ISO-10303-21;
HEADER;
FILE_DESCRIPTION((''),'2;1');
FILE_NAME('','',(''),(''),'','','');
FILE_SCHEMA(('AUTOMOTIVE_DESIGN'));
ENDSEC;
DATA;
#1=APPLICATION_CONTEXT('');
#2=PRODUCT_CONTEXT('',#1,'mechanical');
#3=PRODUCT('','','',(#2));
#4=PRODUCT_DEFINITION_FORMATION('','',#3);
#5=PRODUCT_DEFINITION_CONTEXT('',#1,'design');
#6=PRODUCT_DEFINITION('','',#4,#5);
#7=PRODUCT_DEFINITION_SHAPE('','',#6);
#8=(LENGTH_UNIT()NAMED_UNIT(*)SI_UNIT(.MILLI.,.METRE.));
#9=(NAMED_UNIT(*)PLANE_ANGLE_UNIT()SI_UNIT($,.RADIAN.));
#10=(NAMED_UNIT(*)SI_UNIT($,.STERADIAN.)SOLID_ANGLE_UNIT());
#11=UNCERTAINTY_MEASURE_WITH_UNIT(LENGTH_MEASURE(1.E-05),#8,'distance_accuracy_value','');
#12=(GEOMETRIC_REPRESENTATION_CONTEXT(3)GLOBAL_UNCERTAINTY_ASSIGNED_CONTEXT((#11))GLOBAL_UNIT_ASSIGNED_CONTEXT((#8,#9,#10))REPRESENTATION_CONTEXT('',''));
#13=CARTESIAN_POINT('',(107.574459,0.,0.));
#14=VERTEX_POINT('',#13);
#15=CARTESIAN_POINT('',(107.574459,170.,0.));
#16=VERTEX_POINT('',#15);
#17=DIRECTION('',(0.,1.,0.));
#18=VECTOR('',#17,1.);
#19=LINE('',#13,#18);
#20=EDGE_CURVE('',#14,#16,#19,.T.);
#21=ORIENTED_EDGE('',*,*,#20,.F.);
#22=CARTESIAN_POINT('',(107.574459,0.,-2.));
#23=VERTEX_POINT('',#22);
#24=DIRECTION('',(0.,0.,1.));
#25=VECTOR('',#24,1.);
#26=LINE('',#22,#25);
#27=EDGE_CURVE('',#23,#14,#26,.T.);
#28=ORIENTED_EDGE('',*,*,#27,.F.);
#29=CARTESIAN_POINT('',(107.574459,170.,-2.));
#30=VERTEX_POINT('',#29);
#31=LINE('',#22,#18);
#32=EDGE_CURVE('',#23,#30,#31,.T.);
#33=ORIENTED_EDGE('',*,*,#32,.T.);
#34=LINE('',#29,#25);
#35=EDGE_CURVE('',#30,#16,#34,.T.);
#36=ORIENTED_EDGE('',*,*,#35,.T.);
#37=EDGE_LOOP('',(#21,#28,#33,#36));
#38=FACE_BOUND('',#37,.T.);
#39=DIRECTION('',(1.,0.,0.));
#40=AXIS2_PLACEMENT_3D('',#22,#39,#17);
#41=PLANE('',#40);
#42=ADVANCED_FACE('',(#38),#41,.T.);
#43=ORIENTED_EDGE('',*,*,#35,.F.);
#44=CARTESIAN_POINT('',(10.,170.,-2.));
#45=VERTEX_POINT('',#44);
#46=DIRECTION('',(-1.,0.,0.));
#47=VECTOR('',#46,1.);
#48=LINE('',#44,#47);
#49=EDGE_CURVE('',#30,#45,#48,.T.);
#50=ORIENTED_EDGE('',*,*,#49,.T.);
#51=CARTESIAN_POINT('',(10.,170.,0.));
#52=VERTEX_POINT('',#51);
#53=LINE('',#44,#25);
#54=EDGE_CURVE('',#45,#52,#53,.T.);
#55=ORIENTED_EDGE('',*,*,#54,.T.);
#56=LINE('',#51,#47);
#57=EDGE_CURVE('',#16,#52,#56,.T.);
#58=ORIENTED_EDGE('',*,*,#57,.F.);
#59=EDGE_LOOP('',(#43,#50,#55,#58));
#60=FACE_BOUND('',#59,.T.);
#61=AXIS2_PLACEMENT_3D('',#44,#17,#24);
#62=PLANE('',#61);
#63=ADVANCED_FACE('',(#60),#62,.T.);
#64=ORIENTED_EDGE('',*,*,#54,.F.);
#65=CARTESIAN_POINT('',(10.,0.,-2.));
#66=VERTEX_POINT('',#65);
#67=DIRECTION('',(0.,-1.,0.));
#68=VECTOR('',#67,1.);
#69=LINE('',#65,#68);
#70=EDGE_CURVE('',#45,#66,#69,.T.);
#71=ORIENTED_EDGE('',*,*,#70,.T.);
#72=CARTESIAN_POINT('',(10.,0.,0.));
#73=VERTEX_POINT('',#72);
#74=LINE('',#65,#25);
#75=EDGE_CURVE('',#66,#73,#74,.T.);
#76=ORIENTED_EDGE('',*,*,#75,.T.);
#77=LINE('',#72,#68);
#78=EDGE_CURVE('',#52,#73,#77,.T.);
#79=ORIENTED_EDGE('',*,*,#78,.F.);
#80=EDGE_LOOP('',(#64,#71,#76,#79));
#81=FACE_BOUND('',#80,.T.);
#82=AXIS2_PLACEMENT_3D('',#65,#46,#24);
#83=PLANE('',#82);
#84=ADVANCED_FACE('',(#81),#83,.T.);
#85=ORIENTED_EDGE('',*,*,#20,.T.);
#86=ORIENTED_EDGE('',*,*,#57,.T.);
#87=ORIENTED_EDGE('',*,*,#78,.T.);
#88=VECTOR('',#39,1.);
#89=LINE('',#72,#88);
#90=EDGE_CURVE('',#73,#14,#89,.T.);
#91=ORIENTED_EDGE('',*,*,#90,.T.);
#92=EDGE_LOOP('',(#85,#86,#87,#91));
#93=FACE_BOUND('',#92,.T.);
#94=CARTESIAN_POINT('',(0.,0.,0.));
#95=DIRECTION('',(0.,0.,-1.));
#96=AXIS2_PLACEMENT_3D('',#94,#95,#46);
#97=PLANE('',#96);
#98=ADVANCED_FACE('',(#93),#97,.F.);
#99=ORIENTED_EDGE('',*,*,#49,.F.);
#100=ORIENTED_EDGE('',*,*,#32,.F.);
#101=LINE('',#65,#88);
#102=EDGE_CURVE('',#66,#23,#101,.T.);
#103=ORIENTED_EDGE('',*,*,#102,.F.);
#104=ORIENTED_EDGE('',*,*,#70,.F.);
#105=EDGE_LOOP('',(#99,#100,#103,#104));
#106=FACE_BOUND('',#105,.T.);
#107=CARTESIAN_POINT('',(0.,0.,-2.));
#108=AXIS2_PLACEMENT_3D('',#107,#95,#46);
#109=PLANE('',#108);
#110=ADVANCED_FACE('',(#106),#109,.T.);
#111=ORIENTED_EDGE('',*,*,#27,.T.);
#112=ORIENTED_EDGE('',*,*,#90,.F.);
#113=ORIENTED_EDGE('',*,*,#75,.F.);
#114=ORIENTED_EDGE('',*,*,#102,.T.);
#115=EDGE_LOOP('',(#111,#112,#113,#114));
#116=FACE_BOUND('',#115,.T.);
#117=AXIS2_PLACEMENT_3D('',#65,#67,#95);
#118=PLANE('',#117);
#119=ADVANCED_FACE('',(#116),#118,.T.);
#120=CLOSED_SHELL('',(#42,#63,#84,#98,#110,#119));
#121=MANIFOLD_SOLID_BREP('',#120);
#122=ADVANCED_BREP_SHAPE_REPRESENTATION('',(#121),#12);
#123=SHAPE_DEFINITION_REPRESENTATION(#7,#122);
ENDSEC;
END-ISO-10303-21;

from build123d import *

# Parameters (mm, degrees)
SKETCH_1_W      = 97.57445865
SKETCH_1_H      = 170
EXTRUDE_1_DEPTH = 2


with BuildPart() as part:
    # 草图1 → 凸台-拉伸1 (new body)
    with BuildSketch(Plane.XY):
        with Locations((58.787229325, 85)):
            Rectangle(SKETCH_1_W, SKETCH_1_H)
    extrude(amount=-EXTRUDE_1_DEPTH)


solid = part.part
